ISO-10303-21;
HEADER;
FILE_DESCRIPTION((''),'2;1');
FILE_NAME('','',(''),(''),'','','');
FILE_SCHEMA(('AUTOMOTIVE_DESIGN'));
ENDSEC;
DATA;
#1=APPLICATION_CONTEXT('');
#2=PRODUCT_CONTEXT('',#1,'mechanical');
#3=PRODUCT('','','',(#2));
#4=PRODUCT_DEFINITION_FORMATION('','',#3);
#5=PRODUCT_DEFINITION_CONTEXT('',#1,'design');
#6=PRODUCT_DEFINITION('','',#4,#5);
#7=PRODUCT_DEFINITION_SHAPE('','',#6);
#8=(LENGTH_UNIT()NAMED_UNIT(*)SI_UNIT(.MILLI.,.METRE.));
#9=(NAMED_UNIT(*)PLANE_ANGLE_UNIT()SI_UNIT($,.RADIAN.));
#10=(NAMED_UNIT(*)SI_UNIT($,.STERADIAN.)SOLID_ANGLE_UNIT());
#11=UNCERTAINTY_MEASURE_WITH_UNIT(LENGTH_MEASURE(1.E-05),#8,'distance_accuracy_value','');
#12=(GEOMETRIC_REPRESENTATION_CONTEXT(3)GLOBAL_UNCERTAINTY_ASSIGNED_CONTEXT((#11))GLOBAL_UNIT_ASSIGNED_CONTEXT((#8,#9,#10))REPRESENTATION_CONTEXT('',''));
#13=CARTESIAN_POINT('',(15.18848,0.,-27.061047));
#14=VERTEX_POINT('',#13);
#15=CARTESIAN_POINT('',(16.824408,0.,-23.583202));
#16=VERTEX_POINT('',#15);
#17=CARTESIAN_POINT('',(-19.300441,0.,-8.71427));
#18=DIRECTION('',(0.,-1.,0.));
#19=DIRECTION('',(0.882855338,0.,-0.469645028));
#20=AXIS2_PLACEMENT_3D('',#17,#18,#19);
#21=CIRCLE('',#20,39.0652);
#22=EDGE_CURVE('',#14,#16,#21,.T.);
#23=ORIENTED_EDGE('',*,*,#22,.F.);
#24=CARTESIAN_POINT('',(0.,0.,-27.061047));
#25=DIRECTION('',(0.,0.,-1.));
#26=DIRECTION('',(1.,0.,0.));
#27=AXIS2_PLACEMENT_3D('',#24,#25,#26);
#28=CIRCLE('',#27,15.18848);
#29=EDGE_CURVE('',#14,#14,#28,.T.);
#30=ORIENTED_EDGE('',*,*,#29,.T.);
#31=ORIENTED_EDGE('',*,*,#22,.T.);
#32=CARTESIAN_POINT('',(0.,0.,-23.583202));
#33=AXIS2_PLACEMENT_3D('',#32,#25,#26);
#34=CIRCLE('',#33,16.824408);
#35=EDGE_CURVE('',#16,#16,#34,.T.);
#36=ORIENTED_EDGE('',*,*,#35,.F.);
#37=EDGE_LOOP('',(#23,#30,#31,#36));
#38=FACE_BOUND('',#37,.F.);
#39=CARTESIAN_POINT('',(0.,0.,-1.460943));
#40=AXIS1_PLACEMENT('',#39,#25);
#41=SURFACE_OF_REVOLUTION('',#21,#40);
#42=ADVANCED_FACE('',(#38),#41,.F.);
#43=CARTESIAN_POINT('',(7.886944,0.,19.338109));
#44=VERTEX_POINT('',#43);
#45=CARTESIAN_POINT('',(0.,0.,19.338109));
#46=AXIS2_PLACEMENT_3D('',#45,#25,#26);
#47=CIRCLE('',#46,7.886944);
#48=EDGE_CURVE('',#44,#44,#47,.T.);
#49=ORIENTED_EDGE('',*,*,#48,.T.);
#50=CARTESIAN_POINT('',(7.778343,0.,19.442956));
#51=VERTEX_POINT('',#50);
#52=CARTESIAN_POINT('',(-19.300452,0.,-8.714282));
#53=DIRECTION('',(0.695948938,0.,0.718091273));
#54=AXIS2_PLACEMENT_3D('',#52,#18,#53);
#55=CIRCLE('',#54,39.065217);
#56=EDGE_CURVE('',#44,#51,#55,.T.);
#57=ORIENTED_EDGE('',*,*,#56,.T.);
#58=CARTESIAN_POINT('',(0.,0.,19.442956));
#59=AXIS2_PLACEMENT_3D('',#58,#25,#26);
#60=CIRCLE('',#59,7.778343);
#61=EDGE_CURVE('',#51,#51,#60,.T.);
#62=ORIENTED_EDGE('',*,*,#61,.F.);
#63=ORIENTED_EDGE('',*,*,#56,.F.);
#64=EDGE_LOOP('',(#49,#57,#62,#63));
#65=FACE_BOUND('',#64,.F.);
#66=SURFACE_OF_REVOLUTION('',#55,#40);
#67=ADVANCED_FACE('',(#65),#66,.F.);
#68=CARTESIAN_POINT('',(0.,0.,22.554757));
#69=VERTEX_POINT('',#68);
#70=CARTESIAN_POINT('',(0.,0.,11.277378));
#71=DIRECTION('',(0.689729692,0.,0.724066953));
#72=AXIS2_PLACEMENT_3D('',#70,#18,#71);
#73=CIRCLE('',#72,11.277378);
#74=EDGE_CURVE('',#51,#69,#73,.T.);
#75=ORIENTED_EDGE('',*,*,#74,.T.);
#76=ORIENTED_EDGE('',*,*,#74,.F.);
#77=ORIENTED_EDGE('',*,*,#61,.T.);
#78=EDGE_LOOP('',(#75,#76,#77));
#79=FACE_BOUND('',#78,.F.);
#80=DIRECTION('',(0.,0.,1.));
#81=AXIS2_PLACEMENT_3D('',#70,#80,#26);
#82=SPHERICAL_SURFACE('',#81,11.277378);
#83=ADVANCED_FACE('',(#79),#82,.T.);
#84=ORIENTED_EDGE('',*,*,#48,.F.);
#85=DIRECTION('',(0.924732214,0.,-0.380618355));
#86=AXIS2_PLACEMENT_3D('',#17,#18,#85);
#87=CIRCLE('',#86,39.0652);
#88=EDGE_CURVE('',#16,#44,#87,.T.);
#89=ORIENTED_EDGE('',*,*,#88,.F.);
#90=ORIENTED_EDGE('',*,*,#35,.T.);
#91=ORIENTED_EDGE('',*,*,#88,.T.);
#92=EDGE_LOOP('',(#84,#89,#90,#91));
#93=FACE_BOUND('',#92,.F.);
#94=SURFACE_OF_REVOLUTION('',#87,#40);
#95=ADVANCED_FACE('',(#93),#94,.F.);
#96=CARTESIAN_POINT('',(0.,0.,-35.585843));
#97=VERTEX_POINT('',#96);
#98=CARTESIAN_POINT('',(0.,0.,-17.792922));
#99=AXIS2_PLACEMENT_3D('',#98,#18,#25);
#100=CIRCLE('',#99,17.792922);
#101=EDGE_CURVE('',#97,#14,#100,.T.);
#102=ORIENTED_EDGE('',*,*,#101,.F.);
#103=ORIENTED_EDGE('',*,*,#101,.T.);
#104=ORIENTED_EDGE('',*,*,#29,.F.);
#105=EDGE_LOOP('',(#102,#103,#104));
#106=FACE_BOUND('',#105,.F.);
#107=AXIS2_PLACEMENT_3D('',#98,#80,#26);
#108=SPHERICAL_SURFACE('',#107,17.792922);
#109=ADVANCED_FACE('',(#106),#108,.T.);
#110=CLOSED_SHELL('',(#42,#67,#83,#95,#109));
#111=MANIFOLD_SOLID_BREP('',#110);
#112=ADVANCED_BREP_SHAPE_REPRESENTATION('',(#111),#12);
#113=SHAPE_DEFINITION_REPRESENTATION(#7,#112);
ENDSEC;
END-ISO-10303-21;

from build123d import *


with BuildPart() as f1:
    # F0 (on Front) → F1 (revolve)
    with BuildSketch(Plane.XZ):
        with BuildLine():
            ThreePointArc((11.2773784867, 11.2773784867), (7.9743108029, 3.3030676857), (2.8e-09, 0))
            ThreePointArc((2.8e-09, 0), (12.5814954602, -5.2114260551), (17.7929215133, -17.7929215133))
            ThreePointArc((17.7929215133, -17.7929215133), (17.5491229084, -20.7282819892), (16.8244081506, -23.5832018485))
            ThreePointArc((16.8244081506, -23.5832018485), (18.9444212028, -0.7505779504), (7.886943751, 19.3381094586))
            ThreePointArc((7.886943751, 19.3381094586), (10.3952709276, 15.6497471668), (11.2773784867, 11.2773784867))
        make_face()
        with BuildLine():
            Line((0, 22.5547569734), (0, 0))
            ThreePointArc((2.8e-09, 0), (7.9743108029, 3.3030676857), (11.2773784867, 11.2773784867))
            ThreePointArc((11.2773784867, 11.2773784867), (10.3952709276, 15.6497471668), (7.886943751, 19.3381094586))
            ThreePointArc((7.886943751, 19.3381094586), (7.8326939111, 19.3905849682), (7.7783427863, 19.4429555655))
            ThreePointArc((7.7783427863, 19.4429555655), (4.1888520057, 21.747946017), (0, 22.5547569734))
        make_face()
        with BuildLine():
            Line((0, -25.4766430266), (0, -35.5858430266))
            ThreePointArc((0, -35.5858430266), (8.7086460846, -33.3089628691), (15.1884796097, -27.0610466272))
            ThreePointArc((15.1884796097, -27.0610466272), (16.0492403428, -25.342255083), (16.8244081506, -23.5832018485))
            ThreePointArc((16.8244081506, -23.5832018485), (17.5491229084, -20.7282819892), (17.7929215133, -17.7929215133))
            ThreePointArc((17.7929215133, -17.7929215133), (12.5814954602, -5.2114260551), (2.8e-09, 0))
            Line((0, 0), (0, -25.4766430266))
        make_face()
    revolve(axis=Axis((0, 0, -1.4609430266), (0, 0, -1)))


solid = f1.part
